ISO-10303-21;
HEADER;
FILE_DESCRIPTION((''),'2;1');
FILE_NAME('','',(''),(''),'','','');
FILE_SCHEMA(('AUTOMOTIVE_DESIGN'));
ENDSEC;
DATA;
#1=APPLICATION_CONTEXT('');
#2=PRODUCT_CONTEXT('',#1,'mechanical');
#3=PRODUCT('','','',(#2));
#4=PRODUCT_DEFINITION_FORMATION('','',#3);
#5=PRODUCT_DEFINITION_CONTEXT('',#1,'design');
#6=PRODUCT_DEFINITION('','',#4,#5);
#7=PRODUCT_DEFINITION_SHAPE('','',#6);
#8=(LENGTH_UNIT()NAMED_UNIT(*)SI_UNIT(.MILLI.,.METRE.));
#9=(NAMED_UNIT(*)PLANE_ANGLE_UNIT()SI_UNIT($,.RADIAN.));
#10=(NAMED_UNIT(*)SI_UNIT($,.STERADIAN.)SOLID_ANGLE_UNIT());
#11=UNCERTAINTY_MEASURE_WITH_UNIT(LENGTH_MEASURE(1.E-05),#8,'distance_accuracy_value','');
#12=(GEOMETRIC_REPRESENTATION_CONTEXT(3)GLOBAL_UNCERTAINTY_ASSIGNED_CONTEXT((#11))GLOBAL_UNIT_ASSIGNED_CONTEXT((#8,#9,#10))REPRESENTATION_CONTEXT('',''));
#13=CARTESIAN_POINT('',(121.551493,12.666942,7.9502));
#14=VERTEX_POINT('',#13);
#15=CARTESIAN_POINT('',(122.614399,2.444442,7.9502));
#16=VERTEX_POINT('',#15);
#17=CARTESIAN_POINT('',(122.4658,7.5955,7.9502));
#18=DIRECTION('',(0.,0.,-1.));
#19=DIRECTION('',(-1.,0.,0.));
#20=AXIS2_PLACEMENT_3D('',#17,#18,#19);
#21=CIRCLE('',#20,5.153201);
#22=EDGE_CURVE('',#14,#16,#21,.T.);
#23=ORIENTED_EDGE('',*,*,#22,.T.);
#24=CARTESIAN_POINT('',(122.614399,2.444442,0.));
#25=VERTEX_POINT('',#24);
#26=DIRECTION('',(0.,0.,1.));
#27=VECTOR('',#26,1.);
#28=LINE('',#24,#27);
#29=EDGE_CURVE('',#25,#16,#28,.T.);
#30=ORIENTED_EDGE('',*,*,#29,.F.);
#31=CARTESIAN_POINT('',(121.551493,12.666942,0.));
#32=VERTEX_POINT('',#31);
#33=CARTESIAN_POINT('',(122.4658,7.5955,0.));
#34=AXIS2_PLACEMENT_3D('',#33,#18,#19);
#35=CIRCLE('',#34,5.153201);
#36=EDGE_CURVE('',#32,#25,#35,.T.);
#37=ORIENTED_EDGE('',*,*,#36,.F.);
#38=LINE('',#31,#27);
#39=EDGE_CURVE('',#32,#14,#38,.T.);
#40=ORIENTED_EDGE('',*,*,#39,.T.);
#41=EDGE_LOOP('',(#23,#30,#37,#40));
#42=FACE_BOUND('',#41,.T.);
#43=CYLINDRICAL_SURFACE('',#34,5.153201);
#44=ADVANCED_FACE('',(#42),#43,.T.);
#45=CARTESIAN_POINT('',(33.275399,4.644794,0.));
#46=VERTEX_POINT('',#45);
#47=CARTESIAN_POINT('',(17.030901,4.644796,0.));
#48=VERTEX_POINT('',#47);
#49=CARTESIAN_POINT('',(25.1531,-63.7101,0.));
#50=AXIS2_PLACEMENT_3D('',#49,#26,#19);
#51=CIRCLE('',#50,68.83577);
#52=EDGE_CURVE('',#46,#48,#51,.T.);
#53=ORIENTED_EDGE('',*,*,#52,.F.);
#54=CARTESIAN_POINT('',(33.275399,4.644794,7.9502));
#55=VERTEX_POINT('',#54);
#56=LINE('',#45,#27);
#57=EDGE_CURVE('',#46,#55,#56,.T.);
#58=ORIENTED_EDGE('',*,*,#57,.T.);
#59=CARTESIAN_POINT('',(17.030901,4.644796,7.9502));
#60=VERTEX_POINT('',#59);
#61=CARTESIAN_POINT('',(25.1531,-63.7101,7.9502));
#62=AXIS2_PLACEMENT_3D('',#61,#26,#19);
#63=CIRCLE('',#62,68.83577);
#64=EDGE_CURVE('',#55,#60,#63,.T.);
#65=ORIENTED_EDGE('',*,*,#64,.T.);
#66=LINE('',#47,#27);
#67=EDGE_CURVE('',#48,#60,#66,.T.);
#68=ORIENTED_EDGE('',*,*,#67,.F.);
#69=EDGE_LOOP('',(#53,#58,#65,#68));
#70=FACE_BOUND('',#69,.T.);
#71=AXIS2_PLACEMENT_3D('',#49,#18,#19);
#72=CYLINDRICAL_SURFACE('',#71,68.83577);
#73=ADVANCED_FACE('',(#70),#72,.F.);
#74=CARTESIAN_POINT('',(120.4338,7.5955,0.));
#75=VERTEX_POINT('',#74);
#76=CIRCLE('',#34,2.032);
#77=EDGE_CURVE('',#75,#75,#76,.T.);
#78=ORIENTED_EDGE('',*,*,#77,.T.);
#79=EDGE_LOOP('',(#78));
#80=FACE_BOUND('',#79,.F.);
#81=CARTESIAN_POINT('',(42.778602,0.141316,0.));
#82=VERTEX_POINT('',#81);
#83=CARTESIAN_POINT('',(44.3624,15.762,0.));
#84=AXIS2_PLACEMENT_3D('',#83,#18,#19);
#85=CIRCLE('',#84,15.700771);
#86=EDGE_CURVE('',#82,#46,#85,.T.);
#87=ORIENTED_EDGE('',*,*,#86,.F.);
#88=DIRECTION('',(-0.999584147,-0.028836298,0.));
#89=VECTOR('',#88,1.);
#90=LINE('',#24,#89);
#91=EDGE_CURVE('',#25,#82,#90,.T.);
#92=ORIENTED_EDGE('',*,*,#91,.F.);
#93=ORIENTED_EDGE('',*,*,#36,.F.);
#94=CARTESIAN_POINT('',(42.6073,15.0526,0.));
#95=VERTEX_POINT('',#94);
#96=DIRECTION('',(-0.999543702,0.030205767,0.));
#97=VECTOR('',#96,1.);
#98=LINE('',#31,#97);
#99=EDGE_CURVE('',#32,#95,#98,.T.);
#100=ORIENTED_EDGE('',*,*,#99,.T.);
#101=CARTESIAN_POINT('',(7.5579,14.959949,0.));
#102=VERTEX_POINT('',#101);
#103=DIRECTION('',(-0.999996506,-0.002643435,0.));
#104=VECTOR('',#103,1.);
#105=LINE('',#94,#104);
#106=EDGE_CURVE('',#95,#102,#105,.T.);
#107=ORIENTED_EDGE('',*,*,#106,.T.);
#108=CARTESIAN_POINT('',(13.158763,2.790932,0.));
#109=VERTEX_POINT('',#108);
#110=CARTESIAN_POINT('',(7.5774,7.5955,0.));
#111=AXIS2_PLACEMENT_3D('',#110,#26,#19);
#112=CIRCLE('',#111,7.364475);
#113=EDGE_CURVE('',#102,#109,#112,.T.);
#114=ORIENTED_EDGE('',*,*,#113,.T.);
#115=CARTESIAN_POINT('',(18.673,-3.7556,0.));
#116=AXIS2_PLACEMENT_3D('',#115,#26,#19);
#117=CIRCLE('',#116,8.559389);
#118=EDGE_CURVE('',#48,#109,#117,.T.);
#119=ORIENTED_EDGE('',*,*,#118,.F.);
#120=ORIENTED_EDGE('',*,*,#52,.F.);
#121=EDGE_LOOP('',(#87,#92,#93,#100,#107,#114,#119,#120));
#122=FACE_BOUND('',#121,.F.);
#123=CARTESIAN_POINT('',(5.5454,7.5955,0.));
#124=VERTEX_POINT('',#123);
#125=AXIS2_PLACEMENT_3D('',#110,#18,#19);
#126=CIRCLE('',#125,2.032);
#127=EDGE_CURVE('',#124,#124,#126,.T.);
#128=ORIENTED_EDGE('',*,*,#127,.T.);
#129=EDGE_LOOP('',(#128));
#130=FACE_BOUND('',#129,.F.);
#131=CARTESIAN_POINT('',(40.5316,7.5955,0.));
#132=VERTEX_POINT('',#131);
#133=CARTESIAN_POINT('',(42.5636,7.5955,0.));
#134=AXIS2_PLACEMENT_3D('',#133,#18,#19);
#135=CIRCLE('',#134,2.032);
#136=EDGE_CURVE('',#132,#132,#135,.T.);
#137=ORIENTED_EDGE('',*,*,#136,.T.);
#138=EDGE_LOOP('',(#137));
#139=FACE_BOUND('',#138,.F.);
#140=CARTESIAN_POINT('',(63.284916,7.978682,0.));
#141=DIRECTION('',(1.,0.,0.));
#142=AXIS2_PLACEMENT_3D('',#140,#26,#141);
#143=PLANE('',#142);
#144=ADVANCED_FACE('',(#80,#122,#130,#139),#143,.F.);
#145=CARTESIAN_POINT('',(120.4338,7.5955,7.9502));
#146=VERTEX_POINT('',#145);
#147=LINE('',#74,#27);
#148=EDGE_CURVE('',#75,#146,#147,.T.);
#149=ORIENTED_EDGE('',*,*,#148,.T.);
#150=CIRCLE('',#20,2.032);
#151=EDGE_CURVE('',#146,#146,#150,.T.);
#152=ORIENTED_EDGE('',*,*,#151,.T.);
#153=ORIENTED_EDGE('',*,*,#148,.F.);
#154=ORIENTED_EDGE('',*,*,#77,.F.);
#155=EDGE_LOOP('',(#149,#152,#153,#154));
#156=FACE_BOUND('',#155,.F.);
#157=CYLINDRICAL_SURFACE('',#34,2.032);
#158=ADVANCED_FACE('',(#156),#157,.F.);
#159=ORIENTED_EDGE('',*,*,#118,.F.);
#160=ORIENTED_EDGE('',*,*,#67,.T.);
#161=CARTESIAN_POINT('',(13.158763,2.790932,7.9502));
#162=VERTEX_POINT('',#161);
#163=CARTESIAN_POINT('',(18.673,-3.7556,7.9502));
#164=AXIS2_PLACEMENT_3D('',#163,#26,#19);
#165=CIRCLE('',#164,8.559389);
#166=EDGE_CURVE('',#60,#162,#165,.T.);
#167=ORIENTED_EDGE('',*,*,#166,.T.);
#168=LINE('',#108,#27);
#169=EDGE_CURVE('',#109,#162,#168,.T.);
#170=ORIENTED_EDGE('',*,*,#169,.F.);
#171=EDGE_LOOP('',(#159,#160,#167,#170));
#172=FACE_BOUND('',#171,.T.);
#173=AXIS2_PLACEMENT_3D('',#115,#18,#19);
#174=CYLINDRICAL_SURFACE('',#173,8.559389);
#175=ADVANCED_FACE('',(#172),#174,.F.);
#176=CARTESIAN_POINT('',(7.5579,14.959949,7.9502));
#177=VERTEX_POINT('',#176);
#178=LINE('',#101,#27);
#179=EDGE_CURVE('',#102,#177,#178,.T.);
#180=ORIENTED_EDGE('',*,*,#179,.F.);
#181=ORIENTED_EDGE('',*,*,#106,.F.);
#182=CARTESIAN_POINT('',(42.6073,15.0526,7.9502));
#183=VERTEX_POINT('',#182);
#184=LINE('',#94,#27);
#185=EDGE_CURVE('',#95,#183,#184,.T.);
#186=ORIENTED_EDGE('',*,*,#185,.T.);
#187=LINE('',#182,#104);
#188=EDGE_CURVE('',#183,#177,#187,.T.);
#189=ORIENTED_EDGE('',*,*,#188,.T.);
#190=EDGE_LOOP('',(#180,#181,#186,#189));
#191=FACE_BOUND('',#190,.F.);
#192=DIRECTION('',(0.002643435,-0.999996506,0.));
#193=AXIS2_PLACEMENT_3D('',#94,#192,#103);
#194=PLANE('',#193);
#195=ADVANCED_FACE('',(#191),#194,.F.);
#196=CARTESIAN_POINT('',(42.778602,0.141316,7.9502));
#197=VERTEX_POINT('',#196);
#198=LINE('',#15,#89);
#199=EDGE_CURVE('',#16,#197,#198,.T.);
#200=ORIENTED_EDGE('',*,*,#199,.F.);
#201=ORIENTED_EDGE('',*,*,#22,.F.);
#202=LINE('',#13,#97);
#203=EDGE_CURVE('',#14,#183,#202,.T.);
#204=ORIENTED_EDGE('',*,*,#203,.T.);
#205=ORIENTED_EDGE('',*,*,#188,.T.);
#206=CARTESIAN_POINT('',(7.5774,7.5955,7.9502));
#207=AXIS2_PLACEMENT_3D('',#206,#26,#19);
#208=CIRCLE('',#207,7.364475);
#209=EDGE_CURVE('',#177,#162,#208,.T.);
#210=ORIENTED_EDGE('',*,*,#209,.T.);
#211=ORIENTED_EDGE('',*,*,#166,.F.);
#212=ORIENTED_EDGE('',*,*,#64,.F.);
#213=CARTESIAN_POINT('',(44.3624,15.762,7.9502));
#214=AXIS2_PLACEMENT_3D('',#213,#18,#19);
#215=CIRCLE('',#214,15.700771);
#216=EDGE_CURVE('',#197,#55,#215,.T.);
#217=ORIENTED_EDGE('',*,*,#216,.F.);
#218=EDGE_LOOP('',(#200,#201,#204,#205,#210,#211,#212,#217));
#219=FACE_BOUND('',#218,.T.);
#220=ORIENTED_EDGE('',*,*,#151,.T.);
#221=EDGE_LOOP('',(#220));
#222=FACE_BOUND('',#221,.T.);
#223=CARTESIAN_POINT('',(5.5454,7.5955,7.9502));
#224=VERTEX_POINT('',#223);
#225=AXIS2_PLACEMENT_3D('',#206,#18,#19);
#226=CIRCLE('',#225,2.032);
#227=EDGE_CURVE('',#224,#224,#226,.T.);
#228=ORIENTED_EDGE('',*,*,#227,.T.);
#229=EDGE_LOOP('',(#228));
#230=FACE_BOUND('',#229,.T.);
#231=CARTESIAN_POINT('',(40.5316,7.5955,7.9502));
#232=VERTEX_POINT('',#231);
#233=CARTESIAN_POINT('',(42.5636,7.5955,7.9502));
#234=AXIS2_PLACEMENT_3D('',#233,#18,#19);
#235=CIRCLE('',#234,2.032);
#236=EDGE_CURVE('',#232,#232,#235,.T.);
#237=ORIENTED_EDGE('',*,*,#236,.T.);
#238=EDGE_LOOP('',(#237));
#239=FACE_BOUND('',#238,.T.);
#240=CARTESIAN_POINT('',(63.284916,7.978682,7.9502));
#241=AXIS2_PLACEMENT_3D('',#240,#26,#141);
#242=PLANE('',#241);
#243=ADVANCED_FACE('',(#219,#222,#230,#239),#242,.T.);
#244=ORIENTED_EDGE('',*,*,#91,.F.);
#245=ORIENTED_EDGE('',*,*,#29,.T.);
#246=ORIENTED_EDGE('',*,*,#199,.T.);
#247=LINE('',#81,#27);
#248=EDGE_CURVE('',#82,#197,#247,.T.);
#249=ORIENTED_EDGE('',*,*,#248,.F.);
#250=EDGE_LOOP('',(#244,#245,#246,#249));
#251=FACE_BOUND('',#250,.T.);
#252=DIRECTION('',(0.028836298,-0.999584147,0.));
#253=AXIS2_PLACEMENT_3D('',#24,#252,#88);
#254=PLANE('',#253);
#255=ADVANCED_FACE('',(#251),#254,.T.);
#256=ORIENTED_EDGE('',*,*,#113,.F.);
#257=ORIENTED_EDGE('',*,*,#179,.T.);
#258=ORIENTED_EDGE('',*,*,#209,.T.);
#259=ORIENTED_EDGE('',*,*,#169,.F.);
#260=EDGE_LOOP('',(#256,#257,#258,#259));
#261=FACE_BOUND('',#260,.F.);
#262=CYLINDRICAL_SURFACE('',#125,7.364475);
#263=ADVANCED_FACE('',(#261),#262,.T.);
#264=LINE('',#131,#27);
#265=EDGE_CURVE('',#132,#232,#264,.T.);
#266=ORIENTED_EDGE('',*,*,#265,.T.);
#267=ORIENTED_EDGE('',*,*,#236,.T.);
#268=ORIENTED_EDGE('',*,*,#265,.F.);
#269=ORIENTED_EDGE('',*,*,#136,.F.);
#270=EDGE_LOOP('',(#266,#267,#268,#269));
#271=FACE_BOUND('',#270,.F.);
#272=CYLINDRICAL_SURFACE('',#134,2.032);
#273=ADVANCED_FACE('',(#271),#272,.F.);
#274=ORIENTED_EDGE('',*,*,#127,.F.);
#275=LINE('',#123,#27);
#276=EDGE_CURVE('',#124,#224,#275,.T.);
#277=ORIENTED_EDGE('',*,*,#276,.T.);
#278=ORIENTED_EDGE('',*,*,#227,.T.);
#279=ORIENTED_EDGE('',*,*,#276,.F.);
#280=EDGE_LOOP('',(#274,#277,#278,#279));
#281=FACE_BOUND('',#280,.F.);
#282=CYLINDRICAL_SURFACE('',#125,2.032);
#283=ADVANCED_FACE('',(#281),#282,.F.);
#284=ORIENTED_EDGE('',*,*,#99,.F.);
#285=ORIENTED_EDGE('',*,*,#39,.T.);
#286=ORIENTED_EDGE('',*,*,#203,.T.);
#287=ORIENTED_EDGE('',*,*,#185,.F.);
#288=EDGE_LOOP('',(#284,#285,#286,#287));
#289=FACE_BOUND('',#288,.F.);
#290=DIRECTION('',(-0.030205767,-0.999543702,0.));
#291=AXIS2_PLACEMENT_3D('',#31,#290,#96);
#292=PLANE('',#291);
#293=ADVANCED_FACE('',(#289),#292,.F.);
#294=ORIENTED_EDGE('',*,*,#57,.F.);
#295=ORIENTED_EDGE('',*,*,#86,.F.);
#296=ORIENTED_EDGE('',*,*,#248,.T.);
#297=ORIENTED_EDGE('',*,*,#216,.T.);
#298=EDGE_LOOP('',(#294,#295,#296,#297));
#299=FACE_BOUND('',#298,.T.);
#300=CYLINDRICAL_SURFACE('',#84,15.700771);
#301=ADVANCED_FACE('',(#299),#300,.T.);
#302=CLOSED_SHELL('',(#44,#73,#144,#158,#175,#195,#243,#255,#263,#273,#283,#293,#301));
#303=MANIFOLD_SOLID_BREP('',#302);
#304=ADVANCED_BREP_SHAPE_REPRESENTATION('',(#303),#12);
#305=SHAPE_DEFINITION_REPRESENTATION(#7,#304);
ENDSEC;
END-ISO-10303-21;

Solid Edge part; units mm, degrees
sketch "Sketch1" plane through (0, 0, 0) normal (0, 0, -1) x (-1, 0, 0)
  circle A0 centre (-7.5774, 7.5955) radius 2.032
  circle A1 centre (-42.5636, 7.5955) radius 2.032
  circle A2 centre (-122.4658, 7.5955) radius 2.032
  line L0 (-121.5515, 12.6669) -> (-42.6073, 15.0526)
  line L1 (-42.6073, 15.0526) -> (-7.5579, 14.9599)
  arc A3 (-7.5579, 14.9599) -> (-13.1588, 2.7909) centre (-7.5774, 7.5955) cw
  arc A4 (-17.0309, 4.6448) -> (-13.1588, 2.7909) centre (-18.673, -3.7556) cw
  arc A5 (-33.2754, 4.6448) -> (-17.0309, 4.6448) centre (-25.1531, -63.7101) cw
  arc A6 (-42.7786, 0.1413) -> (-33.2754, 4.6448) centre (-44.3624, 15.762) ccw
  line L2 (-122.6144, 2.4444) -> (-42.7786, 0.1413)
  arc A7 (-121.5515, 12.6669) -> (-122.6144, 2.4444) centre (-122.4658, 7.5955) ccw
extrude "Protrusion1" add sketch "Sketch1" against normal blind 7.9502
properties part number "AC_1.07"
